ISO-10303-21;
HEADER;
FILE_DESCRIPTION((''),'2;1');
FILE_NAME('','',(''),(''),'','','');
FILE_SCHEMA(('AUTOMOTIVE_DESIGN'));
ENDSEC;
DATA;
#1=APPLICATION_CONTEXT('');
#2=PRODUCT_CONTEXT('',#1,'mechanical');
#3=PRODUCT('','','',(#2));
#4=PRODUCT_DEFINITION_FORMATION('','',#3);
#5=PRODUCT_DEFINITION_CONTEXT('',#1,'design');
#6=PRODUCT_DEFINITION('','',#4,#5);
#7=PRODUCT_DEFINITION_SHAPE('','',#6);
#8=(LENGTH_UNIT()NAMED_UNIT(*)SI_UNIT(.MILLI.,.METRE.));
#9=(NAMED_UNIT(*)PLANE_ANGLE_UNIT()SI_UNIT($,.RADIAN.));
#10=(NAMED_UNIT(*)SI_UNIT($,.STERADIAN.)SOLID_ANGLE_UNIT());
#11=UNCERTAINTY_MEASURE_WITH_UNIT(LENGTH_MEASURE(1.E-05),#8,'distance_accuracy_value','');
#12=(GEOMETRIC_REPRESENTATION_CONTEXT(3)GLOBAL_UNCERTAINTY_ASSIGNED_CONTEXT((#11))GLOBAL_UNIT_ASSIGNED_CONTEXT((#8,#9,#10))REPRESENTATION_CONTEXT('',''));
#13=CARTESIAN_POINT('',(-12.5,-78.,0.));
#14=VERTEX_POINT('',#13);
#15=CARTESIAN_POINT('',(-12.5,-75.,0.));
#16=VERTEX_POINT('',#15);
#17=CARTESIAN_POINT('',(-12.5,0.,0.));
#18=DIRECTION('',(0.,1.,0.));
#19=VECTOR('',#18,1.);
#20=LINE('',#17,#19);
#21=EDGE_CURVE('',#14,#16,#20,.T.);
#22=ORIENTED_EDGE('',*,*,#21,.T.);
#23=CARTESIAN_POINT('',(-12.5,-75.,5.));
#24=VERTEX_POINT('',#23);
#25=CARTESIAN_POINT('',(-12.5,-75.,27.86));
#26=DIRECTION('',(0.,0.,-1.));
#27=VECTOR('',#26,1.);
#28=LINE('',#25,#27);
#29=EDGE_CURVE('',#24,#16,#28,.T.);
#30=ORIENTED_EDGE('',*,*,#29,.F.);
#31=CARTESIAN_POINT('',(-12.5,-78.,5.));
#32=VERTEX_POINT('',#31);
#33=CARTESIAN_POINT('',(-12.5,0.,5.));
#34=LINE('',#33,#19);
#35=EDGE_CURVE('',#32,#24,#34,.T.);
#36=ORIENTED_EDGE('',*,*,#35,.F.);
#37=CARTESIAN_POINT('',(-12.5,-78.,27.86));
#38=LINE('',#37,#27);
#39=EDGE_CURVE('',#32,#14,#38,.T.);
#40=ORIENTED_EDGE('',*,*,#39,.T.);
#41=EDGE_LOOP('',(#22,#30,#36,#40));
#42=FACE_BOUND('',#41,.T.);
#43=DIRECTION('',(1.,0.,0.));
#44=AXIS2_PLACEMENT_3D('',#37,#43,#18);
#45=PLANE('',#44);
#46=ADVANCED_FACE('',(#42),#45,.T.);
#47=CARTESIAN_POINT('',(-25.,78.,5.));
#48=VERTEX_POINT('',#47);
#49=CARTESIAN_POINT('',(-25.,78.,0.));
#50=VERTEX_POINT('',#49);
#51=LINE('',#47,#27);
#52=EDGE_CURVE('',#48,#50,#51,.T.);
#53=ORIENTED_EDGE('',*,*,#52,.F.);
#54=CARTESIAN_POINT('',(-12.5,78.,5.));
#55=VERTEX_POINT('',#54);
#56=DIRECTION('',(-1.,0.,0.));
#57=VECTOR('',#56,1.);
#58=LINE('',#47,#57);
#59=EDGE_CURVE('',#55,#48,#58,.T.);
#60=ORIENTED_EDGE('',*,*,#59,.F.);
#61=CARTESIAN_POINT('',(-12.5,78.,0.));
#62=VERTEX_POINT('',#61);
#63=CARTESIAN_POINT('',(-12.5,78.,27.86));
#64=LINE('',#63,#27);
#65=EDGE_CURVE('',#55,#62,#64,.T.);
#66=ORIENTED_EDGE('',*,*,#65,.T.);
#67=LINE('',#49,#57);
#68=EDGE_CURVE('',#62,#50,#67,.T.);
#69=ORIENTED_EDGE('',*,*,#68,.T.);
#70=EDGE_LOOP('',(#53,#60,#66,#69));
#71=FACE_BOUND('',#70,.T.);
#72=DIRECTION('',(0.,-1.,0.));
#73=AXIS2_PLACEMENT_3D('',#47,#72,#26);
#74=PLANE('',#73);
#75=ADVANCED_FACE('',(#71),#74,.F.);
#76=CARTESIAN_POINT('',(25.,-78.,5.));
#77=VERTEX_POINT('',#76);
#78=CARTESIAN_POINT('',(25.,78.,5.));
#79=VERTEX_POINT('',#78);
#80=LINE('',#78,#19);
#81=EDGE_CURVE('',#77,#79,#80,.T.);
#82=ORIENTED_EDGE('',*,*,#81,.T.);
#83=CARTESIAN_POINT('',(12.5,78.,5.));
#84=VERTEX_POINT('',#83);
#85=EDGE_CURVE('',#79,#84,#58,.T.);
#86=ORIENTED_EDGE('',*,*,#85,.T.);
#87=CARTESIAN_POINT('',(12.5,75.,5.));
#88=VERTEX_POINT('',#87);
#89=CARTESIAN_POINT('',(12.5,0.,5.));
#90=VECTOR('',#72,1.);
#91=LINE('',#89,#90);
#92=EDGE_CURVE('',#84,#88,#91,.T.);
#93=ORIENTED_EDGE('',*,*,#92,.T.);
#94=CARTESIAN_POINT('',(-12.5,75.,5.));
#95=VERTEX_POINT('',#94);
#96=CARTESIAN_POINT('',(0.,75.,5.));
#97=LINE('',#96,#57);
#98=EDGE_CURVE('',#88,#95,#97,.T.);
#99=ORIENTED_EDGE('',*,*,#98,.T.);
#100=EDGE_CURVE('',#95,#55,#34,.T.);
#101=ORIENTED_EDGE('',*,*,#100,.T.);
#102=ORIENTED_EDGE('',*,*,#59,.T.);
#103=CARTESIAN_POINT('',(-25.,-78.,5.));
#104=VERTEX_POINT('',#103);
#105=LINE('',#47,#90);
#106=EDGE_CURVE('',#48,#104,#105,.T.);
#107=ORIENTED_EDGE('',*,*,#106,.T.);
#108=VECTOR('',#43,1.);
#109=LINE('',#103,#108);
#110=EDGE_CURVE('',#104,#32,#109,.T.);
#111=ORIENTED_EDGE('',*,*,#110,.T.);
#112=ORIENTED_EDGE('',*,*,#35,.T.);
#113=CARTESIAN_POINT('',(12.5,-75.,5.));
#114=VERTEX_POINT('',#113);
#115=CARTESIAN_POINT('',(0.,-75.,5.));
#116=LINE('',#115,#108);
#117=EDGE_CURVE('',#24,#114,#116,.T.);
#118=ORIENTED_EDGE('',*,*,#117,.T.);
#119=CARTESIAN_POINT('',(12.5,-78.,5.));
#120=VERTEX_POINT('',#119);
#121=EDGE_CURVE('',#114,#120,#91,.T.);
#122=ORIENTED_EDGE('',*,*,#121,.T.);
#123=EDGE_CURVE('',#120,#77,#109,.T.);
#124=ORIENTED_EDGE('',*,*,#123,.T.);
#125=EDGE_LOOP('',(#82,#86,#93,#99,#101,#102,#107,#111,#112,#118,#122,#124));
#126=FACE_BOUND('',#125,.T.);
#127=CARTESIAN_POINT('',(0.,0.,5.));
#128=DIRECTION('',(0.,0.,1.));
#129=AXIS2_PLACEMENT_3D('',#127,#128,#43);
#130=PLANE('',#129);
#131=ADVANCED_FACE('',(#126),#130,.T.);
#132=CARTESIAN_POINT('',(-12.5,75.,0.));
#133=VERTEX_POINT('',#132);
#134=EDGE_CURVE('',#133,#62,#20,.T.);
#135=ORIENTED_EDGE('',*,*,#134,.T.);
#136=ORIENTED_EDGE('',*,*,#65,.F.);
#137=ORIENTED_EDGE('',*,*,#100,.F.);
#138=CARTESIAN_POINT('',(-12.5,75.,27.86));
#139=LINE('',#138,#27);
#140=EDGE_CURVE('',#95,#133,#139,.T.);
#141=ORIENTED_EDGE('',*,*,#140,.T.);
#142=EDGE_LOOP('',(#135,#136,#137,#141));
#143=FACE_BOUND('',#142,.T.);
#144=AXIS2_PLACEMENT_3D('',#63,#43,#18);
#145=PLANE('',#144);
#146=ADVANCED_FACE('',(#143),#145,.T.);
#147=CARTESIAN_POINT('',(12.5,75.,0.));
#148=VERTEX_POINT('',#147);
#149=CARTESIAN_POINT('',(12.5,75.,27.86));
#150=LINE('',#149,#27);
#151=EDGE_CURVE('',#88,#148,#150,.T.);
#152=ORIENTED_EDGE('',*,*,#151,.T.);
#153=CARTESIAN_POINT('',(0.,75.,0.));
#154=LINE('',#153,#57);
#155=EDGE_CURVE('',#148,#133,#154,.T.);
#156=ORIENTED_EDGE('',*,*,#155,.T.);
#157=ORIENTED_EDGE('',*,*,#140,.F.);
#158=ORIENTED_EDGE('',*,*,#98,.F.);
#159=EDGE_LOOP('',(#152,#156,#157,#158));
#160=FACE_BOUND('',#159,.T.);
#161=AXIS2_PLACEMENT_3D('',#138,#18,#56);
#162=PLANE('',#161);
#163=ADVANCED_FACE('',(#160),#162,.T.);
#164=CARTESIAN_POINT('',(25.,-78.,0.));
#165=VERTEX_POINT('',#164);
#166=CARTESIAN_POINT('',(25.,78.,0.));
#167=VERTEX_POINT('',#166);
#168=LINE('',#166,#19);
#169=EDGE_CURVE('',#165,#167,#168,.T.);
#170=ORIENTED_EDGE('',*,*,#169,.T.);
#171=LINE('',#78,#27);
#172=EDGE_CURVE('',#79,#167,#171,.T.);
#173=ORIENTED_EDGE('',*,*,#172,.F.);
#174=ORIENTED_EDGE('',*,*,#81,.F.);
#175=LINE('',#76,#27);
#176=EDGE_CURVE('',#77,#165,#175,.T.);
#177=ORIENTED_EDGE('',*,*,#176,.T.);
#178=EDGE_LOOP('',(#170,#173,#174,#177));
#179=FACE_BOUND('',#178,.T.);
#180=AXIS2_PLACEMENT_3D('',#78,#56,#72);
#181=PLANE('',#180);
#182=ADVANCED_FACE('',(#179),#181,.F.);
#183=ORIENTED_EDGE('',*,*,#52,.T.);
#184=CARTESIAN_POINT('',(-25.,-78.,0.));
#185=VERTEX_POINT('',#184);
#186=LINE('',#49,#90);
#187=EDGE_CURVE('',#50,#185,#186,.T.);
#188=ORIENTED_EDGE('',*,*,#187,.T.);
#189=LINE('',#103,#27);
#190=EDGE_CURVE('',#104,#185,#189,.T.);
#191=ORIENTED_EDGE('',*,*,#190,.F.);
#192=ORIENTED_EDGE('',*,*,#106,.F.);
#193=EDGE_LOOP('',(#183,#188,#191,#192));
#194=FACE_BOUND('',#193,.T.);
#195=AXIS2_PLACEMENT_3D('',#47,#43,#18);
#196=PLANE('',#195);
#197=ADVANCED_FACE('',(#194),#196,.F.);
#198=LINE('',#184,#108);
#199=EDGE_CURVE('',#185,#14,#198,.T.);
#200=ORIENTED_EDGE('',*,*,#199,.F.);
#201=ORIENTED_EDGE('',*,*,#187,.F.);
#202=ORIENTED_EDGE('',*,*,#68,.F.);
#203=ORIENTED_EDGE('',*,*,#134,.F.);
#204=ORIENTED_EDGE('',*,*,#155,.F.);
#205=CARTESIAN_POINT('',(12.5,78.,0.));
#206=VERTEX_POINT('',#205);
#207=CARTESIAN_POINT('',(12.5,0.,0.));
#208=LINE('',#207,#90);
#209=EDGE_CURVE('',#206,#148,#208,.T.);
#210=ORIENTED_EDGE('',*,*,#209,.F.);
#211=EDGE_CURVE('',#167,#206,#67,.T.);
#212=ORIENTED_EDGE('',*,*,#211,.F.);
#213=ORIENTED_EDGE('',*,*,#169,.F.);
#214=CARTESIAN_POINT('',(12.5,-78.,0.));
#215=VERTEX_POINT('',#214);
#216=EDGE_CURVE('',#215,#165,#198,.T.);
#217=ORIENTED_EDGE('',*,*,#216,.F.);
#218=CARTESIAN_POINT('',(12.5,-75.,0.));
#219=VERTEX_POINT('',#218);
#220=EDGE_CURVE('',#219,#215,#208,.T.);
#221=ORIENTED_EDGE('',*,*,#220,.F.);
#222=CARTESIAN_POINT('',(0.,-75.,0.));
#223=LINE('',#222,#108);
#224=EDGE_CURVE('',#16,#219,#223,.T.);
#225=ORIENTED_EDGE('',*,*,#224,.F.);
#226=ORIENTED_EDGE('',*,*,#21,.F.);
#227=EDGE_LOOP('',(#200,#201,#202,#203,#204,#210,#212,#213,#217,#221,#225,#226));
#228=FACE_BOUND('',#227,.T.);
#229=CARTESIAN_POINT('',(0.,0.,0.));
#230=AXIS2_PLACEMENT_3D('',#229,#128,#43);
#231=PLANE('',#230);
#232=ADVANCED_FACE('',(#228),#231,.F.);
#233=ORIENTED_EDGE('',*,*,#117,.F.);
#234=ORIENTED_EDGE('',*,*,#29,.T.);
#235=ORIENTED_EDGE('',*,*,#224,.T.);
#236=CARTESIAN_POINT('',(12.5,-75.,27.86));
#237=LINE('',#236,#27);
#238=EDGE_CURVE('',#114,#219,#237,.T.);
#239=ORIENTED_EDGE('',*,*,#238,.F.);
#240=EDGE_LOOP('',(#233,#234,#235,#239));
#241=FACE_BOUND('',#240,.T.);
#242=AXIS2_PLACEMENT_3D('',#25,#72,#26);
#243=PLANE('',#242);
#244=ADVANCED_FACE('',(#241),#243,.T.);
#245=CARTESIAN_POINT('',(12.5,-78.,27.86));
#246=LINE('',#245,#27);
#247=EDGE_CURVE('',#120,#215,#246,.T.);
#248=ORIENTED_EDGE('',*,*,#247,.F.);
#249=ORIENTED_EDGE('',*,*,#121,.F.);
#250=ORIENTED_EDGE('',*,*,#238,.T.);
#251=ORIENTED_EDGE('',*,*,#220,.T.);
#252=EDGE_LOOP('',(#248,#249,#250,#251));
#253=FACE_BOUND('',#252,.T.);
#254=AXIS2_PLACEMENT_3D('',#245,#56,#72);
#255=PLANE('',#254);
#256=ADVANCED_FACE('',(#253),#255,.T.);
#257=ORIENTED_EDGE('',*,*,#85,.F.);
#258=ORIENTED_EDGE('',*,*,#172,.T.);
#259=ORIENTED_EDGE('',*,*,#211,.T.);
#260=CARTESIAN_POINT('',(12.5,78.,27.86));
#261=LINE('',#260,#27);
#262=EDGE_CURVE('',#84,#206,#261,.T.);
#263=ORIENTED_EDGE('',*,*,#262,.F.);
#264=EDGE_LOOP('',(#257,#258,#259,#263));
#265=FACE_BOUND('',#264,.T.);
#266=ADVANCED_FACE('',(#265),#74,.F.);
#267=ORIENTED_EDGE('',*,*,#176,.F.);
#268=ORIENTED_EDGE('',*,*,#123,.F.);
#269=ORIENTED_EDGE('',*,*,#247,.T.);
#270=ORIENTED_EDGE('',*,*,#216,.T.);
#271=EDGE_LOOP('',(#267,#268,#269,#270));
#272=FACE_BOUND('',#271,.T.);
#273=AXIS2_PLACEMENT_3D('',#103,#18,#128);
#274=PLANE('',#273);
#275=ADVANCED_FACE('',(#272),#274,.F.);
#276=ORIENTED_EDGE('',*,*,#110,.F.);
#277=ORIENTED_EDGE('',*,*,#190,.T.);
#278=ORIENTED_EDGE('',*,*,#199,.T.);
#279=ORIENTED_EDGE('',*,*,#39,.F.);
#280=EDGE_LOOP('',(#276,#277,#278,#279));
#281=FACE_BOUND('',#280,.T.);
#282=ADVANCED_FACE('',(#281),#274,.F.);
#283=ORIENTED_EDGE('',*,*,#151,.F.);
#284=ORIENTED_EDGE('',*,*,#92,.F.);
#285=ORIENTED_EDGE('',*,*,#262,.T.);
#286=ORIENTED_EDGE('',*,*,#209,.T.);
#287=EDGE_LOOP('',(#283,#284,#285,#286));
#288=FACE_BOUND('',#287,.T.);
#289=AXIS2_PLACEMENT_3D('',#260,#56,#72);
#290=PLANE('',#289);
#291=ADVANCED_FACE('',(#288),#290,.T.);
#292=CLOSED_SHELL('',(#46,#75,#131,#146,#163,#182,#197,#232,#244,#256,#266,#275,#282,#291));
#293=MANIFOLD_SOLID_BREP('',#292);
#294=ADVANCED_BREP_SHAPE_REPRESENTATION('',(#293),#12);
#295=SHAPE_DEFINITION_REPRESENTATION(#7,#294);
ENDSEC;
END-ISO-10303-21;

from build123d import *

# Parameters (mm, degrees)
SKETCH1_W               = 50
SKETCH1_H               = 156
BOSS_EXTRUDE1_DEPTH     = 5
CUT_EXTRUDE1_DEPTH      = 22.86
CUT_EXTRUDE1_DEPTH_BACK = 20.32
SKETCH2_W               = 25
SKETCH2_H               = 3


with BuildPart() as part:
    # Sketch1 → Boss-Extrude1 (new body)
    with BuildSketch(Plane.XY):
        Rectangle(SKETCH1_W, SKETCH1_H)
    extrude(amount=BOSS_EXTRUDE1_DEPTH)

    # Sketch2 → Cut-Extrude1 (cut, two sides: drawn at the far end of the back side and taken through both)
    with BuildSketch(Plane.XY.offset(5).offset(-CUT_EXTRUDE1_DEPTH_BACK)):
        with Locations((0, 76.5)):
            Rectangle(SKETCH2_W, SKETCH2_H)
        with Locations((0, -76.5)):
            Rectangle(SKETCH2_W, SKETCH2_H)
    extrude(amount=CUT_EXTRUDE1_DEPTH + CUT_EXTRUDE1_DEPTH_BACK, mode=Mode.SUBTRACT)


solid = part.part
